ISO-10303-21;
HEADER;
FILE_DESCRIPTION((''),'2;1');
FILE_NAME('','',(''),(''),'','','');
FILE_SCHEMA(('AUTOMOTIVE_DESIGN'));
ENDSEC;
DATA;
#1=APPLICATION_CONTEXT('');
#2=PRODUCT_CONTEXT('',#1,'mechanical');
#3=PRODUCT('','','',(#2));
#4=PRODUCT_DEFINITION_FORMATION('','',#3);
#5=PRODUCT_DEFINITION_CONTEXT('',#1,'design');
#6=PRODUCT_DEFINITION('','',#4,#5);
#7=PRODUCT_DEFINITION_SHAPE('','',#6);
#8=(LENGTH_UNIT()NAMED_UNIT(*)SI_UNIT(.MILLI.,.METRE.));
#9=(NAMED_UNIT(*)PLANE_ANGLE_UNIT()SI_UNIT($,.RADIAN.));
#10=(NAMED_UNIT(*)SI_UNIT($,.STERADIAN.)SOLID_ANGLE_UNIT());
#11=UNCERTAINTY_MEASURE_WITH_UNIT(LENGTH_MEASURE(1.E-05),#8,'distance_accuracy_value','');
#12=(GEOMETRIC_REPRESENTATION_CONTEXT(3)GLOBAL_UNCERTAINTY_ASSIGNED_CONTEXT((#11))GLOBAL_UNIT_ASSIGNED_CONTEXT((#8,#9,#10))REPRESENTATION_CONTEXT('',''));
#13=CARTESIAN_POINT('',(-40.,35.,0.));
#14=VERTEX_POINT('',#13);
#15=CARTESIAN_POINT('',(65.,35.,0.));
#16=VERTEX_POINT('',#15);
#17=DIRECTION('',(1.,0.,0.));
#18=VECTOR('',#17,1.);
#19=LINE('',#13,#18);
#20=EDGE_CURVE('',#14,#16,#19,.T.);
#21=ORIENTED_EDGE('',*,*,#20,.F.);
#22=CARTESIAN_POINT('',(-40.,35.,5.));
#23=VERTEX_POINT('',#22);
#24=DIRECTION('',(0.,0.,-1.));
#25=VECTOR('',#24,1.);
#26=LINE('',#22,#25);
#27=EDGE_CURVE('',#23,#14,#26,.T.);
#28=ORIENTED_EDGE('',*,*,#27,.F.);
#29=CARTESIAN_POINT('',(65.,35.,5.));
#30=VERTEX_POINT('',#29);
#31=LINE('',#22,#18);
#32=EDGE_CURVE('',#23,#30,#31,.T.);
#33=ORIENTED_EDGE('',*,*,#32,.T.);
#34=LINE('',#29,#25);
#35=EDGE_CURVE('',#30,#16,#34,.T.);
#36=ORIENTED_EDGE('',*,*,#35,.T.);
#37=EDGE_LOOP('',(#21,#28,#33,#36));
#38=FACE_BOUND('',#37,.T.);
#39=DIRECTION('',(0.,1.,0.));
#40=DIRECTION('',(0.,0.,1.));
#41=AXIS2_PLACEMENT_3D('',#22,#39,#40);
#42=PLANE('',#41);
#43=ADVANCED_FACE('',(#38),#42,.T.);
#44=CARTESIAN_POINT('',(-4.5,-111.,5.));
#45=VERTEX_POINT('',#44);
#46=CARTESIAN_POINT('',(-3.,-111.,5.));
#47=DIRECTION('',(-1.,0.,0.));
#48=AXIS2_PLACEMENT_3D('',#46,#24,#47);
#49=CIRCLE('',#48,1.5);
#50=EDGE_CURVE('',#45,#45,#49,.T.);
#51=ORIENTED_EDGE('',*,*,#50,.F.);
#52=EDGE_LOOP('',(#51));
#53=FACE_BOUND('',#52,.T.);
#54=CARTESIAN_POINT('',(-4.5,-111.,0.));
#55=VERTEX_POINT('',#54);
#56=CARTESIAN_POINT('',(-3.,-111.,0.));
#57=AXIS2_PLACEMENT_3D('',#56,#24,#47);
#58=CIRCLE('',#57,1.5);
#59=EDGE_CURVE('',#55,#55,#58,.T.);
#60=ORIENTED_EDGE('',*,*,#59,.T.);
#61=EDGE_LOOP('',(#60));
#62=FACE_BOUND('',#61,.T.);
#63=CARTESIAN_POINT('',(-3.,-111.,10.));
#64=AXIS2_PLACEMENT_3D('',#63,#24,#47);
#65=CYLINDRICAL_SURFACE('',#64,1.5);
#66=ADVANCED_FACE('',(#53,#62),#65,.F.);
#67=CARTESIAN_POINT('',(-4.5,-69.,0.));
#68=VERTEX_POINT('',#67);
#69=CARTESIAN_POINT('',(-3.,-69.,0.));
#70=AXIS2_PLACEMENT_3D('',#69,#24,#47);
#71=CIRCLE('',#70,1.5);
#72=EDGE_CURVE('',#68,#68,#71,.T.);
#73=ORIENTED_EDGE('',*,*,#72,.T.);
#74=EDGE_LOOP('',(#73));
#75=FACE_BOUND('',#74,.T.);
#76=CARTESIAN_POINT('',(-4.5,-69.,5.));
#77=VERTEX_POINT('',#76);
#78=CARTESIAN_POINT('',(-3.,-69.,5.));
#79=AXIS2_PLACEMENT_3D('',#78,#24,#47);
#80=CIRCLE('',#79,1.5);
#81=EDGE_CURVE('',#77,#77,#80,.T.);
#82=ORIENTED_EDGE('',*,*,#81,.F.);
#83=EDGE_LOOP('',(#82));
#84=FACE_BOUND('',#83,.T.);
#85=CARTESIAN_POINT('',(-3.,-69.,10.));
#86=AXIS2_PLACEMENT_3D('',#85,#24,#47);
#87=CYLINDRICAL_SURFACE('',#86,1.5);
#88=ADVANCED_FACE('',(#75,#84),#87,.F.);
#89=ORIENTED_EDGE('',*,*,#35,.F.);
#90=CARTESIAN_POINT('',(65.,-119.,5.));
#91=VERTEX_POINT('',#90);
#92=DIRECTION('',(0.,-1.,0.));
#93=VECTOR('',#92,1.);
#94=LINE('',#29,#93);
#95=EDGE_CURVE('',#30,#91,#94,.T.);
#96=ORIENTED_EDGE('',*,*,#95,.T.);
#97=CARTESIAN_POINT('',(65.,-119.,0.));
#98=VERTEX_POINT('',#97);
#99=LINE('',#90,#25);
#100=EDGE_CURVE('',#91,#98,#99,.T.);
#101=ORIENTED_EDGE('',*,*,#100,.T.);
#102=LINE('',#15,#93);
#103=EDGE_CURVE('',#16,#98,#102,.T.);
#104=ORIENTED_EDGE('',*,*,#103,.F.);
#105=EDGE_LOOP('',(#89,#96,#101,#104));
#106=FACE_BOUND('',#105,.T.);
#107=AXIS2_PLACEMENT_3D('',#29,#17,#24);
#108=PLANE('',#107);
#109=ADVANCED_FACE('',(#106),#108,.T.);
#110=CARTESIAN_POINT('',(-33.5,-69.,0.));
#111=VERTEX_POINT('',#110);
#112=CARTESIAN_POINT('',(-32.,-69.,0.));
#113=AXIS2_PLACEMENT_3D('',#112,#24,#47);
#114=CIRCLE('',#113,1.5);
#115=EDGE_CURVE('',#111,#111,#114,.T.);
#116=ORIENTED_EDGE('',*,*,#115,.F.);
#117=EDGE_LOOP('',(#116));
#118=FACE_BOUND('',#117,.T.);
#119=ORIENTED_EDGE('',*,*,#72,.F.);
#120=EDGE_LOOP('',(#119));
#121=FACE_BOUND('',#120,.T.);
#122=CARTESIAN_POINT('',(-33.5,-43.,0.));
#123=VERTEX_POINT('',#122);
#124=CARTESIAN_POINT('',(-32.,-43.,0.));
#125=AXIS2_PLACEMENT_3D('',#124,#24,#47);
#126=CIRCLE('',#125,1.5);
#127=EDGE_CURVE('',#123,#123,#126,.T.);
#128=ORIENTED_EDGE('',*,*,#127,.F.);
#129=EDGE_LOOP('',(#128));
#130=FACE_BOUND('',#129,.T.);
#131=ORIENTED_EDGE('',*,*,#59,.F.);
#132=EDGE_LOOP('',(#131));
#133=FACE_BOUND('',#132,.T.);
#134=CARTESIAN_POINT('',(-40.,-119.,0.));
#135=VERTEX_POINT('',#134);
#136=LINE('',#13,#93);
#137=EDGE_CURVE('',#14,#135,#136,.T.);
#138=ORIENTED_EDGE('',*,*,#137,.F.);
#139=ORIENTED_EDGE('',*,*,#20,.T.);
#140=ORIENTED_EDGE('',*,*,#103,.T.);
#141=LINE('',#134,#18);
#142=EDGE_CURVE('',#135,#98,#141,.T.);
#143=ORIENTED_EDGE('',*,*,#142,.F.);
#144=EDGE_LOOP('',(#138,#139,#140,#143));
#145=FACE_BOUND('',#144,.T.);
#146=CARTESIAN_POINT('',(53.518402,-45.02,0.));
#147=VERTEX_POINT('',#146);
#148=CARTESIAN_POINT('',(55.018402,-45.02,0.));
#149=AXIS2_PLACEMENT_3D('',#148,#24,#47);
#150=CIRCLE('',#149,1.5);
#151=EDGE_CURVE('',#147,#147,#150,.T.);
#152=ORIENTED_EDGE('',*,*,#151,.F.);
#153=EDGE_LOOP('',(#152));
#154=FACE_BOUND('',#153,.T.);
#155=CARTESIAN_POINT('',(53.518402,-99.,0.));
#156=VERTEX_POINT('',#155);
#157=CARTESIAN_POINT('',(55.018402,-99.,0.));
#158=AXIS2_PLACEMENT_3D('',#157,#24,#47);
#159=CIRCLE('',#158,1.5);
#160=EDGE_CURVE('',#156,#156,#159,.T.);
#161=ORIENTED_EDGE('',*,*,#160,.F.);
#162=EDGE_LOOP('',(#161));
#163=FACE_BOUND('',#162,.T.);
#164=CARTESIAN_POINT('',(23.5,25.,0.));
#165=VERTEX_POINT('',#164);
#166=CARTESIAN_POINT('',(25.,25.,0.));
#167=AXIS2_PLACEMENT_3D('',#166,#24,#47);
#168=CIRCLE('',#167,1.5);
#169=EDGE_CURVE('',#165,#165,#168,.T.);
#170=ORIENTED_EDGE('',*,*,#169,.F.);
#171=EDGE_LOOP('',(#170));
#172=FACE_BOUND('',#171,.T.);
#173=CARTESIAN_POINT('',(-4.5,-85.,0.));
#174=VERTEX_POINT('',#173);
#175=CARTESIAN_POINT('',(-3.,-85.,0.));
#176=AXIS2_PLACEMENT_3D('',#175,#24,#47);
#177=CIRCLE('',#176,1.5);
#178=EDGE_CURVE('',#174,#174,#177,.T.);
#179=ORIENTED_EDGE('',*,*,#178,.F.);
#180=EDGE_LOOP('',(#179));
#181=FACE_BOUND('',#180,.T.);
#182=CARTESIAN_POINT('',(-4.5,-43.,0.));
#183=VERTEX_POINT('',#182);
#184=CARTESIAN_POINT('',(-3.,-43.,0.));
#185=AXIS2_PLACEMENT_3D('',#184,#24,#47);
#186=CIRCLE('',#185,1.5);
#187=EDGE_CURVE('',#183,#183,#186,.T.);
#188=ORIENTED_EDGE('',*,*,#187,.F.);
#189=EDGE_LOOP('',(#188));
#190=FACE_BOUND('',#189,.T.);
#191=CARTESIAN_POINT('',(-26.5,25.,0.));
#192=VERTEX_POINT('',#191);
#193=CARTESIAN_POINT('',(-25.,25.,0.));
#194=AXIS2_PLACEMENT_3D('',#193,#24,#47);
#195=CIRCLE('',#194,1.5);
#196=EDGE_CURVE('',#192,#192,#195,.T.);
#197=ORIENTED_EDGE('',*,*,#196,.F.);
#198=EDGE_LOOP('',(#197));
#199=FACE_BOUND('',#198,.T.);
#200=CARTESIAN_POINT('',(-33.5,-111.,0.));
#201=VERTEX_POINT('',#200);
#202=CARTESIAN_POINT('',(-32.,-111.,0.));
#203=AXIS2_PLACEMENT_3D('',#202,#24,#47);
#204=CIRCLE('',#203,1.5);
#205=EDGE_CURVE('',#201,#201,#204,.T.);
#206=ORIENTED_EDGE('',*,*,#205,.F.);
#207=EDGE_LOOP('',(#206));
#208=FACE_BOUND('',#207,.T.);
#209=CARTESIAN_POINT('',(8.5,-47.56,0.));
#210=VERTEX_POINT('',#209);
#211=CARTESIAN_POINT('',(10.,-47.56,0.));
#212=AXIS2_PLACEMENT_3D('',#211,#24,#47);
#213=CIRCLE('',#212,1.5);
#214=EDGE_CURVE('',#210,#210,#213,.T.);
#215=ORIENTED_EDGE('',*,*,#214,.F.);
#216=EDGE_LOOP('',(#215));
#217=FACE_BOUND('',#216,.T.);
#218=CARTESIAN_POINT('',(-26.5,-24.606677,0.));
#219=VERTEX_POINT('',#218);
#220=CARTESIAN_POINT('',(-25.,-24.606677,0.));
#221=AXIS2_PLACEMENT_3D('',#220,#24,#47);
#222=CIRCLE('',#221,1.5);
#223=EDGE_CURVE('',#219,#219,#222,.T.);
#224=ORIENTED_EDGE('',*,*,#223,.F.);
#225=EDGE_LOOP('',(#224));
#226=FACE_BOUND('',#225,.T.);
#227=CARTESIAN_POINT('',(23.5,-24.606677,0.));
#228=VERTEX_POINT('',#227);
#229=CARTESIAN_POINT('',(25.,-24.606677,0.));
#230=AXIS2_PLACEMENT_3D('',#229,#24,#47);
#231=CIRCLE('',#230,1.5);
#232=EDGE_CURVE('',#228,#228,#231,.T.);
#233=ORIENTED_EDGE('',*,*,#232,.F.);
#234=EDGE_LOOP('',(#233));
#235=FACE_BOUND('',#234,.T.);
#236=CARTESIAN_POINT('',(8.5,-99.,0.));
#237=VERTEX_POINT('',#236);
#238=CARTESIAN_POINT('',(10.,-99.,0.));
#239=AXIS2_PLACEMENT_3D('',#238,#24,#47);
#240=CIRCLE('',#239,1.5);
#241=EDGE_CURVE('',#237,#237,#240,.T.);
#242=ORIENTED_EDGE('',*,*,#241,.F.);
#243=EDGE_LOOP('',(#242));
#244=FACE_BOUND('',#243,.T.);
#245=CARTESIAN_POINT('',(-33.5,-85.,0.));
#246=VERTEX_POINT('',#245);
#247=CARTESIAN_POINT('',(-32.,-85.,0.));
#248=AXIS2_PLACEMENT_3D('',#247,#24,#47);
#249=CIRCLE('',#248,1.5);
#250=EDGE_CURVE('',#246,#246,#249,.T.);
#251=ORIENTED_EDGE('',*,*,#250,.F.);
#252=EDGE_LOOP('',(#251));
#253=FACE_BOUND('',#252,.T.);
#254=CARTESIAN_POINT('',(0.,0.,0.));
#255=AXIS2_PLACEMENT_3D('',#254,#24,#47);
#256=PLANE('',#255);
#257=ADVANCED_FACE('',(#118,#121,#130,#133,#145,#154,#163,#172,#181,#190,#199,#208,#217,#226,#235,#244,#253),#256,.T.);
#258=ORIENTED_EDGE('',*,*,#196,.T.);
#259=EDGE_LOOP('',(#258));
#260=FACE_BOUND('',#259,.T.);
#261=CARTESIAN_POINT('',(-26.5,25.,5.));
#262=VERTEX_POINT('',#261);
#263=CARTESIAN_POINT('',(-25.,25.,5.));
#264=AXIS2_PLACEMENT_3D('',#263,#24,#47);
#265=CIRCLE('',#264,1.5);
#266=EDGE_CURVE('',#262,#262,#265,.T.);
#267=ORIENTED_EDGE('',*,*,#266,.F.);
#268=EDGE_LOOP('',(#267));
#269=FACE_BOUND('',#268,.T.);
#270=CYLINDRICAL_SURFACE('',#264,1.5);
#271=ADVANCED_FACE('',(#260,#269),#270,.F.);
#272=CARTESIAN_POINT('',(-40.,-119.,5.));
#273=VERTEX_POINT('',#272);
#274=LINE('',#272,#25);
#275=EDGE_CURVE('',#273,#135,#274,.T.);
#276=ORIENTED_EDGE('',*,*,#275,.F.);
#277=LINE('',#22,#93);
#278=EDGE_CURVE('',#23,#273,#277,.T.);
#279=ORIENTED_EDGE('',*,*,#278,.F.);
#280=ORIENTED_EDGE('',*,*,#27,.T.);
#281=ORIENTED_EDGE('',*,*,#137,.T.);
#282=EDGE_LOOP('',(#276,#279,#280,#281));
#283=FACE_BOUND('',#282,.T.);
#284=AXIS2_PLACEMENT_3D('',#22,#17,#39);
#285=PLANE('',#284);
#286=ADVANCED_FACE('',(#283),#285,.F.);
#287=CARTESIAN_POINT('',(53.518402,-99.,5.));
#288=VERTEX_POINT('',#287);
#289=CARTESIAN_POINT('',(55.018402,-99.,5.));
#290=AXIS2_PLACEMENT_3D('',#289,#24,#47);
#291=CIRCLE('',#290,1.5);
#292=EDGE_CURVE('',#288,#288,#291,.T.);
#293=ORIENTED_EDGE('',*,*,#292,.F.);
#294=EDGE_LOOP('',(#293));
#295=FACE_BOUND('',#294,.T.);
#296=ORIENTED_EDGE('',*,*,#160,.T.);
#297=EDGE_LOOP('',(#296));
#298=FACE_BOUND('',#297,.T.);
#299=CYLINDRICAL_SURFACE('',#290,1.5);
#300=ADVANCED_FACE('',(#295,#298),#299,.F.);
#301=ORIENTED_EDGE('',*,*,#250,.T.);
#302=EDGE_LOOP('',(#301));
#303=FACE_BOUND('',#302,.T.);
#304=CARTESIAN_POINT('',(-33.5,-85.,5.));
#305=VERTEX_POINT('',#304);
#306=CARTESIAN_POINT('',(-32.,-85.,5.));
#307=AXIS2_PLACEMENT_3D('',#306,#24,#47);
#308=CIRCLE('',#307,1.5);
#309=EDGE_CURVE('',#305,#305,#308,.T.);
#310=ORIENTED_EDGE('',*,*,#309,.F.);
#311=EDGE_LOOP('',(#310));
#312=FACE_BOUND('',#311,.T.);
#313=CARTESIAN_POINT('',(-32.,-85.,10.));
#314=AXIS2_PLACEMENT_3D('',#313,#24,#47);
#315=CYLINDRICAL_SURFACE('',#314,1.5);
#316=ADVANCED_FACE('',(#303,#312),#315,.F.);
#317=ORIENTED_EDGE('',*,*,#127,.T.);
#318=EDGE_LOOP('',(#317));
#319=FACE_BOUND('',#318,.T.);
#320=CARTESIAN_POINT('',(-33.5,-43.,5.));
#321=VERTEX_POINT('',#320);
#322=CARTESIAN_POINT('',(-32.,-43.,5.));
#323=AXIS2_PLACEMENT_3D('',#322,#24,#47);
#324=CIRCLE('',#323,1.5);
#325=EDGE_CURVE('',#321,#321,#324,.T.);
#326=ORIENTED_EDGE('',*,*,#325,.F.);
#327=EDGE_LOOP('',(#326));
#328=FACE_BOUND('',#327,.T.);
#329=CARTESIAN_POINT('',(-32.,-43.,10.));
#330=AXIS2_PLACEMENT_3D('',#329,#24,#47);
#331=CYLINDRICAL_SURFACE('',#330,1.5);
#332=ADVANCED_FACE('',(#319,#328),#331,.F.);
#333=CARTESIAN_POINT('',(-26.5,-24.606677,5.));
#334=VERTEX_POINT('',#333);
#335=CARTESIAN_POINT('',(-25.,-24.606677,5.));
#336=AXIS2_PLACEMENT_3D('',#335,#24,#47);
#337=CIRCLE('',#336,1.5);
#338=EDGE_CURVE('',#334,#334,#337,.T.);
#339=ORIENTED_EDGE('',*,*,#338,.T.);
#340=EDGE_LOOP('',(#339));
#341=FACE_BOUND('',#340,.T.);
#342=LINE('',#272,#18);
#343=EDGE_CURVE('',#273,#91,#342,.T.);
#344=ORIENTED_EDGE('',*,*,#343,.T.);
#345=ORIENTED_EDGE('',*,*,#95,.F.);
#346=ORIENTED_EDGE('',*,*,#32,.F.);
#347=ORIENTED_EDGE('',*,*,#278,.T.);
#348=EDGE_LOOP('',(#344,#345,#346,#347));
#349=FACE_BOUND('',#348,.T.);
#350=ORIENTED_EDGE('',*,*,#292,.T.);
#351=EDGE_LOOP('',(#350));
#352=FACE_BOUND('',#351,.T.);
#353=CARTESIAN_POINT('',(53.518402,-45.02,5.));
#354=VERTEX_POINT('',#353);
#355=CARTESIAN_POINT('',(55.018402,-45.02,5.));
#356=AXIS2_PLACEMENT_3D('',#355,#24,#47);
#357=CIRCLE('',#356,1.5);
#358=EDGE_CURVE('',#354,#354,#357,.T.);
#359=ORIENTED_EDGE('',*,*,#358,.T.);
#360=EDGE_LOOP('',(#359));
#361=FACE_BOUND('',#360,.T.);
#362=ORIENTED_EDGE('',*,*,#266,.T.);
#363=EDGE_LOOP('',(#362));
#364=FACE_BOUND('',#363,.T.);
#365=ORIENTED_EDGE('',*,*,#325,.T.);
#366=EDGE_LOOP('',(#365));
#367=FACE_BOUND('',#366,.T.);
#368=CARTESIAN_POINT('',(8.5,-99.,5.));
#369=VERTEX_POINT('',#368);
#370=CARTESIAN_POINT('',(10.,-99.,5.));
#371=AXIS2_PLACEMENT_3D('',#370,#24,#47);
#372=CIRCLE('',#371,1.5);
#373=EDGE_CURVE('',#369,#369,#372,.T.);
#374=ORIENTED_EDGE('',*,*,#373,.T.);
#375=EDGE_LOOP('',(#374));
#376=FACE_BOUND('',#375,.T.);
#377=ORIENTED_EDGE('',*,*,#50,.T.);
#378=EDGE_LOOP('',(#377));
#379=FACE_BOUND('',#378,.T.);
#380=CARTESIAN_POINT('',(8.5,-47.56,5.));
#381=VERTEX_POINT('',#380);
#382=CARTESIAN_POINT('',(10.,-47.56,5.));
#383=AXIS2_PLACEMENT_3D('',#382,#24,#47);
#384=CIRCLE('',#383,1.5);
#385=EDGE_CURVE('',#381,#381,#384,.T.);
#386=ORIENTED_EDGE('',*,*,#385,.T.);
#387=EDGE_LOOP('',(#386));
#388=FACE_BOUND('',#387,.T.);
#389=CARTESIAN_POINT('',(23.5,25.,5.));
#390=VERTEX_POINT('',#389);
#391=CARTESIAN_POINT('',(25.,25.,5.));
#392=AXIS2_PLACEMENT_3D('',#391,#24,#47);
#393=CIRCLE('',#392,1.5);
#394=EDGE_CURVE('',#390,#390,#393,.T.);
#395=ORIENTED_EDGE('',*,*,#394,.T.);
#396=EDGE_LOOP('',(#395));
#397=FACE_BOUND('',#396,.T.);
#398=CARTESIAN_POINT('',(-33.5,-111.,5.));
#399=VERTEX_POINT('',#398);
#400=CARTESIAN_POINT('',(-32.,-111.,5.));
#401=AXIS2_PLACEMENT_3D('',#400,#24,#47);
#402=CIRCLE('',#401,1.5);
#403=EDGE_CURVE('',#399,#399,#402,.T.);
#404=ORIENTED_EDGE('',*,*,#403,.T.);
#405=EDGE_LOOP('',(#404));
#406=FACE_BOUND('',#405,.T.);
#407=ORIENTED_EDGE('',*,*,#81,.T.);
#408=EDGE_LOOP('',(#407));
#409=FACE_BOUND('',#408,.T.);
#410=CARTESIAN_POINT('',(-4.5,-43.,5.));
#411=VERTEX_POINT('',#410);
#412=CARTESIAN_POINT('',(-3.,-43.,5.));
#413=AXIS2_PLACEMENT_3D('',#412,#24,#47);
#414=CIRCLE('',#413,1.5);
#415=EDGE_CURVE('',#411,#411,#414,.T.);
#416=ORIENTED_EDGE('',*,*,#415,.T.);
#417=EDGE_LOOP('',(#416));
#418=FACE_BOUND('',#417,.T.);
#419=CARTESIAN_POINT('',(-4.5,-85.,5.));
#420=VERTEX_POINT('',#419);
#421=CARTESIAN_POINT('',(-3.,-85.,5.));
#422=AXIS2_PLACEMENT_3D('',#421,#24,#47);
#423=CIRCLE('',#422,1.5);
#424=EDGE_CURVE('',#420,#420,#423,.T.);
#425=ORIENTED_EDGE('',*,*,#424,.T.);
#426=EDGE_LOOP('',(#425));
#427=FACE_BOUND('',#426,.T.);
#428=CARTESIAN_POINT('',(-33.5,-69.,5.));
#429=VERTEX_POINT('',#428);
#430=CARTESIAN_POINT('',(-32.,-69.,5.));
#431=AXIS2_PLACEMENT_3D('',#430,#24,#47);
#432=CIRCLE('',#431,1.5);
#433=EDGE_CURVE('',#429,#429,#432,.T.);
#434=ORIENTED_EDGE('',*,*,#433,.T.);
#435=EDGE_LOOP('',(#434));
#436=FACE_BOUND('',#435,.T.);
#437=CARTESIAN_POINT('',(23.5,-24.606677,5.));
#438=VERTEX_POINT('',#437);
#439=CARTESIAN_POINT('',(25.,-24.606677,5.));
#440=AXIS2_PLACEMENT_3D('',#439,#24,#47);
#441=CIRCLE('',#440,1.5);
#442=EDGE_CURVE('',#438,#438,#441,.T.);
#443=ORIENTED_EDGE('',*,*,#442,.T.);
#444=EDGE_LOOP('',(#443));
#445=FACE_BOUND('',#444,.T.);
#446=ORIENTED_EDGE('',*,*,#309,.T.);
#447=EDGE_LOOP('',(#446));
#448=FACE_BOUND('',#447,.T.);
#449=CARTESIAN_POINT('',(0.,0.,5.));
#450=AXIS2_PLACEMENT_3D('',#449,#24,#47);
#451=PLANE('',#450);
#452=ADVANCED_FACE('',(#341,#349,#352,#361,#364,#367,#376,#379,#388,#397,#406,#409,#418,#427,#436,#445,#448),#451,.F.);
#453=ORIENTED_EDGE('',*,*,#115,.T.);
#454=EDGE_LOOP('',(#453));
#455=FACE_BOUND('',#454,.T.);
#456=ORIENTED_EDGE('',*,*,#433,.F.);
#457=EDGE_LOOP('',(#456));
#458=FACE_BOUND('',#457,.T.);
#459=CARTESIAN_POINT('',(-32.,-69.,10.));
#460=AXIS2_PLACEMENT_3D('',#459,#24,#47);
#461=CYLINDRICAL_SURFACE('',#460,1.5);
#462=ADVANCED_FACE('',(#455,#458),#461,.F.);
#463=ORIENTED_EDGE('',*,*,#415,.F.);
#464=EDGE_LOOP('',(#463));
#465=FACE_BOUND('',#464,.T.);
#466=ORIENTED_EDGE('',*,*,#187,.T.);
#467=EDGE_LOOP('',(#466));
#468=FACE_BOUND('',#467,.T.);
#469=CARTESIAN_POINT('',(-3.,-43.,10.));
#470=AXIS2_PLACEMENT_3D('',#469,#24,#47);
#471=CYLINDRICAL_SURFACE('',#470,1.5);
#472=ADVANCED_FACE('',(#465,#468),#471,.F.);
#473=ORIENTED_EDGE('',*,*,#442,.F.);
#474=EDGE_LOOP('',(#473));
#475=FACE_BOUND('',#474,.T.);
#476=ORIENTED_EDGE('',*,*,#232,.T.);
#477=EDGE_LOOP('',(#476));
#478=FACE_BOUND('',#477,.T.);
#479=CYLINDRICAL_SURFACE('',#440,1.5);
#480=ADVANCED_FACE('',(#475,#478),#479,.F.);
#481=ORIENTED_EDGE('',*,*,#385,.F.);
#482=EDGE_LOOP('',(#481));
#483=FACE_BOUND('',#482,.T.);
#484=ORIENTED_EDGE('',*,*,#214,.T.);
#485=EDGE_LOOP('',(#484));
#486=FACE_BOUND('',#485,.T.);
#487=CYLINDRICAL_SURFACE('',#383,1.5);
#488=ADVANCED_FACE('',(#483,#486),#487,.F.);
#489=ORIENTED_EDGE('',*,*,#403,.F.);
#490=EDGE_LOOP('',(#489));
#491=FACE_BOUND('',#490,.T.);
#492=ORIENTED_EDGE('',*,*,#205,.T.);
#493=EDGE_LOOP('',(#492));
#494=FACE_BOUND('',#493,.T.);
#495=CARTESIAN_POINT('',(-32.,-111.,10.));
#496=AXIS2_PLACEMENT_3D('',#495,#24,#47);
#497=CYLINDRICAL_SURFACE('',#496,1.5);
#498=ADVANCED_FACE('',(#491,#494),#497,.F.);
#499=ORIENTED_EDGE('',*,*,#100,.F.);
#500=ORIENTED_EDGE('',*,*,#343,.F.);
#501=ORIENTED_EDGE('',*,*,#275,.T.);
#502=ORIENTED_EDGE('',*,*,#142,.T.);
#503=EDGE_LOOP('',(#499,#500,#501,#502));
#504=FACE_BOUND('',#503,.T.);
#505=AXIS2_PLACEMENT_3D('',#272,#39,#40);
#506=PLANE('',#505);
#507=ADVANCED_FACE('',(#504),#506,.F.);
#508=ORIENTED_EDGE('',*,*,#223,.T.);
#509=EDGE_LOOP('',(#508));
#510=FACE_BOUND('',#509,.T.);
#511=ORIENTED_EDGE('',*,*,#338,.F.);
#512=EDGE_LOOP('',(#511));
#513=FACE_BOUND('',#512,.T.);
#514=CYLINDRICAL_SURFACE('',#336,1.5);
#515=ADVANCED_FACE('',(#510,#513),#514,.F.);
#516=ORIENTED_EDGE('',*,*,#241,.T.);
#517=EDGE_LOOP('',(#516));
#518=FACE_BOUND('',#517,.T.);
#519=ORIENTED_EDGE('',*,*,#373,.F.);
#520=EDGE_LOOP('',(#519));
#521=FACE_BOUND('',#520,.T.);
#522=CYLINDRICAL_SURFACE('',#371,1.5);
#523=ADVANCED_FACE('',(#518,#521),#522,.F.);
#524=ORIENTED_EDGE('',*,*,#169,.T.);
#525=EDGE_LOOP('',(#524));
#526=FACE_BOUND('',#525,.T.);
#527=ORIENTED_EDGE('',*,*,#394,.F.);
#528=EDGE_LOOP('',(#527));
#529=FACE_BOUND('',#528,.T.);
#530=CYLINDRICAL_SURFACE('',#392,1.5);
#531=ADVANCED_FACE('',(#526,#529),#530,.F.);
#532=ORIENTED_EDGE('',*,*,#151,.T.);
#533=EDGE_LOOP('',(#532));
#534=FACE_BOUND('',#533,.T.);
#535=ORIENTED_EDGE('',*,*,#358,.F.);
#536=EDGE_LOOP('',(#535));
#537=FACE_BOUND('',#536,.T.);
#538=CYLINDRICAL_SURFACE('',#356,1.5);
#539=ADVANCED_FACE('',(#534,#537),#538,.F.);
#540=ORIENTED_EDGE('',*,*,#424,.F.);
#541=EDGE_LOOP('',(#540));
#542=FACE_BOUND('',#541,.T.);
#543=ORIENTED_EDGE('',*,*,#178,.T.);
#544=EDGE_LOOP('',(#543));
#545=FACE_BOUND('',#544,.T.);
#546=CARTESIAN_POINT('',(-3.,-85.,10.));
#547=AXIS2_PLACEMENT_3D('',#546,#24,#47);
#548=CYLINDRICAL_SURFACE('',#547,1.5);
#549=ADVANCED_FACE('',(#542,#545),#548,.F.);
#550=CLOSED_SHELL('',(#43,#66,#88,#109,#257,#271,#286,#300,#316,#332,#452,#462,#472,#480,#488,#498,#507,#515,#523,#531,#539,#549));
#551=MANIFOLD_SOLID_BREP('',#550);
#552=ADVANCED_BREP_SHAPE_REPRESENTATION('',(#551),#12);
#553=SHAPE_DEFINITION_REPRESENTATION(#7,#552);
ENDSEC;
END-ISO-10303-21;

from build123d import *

# Parameters (mm, degrees)
SKETCH1_W           = 105
SKETCH1_H           = 154
BOSS_EXTRUDE1_DEPTH = 5
SKETCH3_R           = 1.5
CUT_EXTRUDE1_DEPTH  = 10
SKETCH4_R           = 1.5
CUT_EXTRUDE2_DEPTH  = 6
SKETCH6_R           = 1.5
CUT_EXTRUDE4_DEPTH  = 6


with BuildPart() as part:
    # Sketch1 → Boss-Extrude1 (new body)
    with BuildSketch(Plane.XY):
        with Locations((12.5, -42)):
            Rectangle(SKETCH1_W, SKETCH1_H)
    extrude(amount=BOSS_EXTRUDE1_DEPTH)

    # Sketch3 → Cut-Extrude1 (cut)
    with BuildSketch(Plane(origin=(0, 0, 0), x_dir=(-1, 0, 0), z_dir=(0, 0, -1))):
        with Locations((32, -43)):
            Circle(SKETCH3_R)
        with Locations((32, -85)):
            Circle(SKETCH3_R)
        with Locations((3, -111)):
            Circle(SKETCH3_R)
        with Locations((3, -43)):
            Circle(SKETCH3_R)
        with Locations((32, -111)):
            Circle(SKETCH3_R)
        with Locations((3, -85)):
            Circle(SKETCH3_R)
        with Locations((3, -69)):
            Circle(SKETCH3_R)
        with Locations((32, -69)):
            Circle(SKETCH3_R)
    extrude(amount=-CUT_EXTRUDE1_DEPTH, mode=Mode.SUBTRACT)

    # Sketch4 → Cut-Extrude2 (cut, through all)
    with BuildSketch(Plane(origin=(0, 0, 0), x_dir=(-1, 0, 0), z_dir=(0, 0, -1))):
        with Locations((-25, 25)):
            Circle(SKETCH4_R)
        with Locations((25, 25)):
            Circle(SKETCH4_R)
        with Locations((25, -24.60667729)):
            Circle(SKETCH4_R)
        with Locations((-25, -24.60667729)):
            Circle(SKETCH4_R)
    extrude(amount=-CUT_EXTRUDE2_DEPTH, mode=Mode.SUBTRACT)

    # Sketch6 → Cut-Extrude4 (cut, through all)
    with BuildSketch(Plane(origin=(0, 0, 0), x_dir=(-1, 0, 0), z_dir=(0, 0, -1))):
        with Locations((-10, -47.56)):
            Circle(SKETCH6_R)
        with Locations((-55.018401793, -45.02)):
            Circle(SKETCH6_R)
        with Locations((-55.018401793, -99)):
            Circle(SKETCH6_R)
        with Locations((-10, -99)):
            Circle(SKETCH6_R)
    extrude(amount=-CUT_EXTRUDE4_DEPTH, mode=Mode.SUBTRACT)


solid = part.part
